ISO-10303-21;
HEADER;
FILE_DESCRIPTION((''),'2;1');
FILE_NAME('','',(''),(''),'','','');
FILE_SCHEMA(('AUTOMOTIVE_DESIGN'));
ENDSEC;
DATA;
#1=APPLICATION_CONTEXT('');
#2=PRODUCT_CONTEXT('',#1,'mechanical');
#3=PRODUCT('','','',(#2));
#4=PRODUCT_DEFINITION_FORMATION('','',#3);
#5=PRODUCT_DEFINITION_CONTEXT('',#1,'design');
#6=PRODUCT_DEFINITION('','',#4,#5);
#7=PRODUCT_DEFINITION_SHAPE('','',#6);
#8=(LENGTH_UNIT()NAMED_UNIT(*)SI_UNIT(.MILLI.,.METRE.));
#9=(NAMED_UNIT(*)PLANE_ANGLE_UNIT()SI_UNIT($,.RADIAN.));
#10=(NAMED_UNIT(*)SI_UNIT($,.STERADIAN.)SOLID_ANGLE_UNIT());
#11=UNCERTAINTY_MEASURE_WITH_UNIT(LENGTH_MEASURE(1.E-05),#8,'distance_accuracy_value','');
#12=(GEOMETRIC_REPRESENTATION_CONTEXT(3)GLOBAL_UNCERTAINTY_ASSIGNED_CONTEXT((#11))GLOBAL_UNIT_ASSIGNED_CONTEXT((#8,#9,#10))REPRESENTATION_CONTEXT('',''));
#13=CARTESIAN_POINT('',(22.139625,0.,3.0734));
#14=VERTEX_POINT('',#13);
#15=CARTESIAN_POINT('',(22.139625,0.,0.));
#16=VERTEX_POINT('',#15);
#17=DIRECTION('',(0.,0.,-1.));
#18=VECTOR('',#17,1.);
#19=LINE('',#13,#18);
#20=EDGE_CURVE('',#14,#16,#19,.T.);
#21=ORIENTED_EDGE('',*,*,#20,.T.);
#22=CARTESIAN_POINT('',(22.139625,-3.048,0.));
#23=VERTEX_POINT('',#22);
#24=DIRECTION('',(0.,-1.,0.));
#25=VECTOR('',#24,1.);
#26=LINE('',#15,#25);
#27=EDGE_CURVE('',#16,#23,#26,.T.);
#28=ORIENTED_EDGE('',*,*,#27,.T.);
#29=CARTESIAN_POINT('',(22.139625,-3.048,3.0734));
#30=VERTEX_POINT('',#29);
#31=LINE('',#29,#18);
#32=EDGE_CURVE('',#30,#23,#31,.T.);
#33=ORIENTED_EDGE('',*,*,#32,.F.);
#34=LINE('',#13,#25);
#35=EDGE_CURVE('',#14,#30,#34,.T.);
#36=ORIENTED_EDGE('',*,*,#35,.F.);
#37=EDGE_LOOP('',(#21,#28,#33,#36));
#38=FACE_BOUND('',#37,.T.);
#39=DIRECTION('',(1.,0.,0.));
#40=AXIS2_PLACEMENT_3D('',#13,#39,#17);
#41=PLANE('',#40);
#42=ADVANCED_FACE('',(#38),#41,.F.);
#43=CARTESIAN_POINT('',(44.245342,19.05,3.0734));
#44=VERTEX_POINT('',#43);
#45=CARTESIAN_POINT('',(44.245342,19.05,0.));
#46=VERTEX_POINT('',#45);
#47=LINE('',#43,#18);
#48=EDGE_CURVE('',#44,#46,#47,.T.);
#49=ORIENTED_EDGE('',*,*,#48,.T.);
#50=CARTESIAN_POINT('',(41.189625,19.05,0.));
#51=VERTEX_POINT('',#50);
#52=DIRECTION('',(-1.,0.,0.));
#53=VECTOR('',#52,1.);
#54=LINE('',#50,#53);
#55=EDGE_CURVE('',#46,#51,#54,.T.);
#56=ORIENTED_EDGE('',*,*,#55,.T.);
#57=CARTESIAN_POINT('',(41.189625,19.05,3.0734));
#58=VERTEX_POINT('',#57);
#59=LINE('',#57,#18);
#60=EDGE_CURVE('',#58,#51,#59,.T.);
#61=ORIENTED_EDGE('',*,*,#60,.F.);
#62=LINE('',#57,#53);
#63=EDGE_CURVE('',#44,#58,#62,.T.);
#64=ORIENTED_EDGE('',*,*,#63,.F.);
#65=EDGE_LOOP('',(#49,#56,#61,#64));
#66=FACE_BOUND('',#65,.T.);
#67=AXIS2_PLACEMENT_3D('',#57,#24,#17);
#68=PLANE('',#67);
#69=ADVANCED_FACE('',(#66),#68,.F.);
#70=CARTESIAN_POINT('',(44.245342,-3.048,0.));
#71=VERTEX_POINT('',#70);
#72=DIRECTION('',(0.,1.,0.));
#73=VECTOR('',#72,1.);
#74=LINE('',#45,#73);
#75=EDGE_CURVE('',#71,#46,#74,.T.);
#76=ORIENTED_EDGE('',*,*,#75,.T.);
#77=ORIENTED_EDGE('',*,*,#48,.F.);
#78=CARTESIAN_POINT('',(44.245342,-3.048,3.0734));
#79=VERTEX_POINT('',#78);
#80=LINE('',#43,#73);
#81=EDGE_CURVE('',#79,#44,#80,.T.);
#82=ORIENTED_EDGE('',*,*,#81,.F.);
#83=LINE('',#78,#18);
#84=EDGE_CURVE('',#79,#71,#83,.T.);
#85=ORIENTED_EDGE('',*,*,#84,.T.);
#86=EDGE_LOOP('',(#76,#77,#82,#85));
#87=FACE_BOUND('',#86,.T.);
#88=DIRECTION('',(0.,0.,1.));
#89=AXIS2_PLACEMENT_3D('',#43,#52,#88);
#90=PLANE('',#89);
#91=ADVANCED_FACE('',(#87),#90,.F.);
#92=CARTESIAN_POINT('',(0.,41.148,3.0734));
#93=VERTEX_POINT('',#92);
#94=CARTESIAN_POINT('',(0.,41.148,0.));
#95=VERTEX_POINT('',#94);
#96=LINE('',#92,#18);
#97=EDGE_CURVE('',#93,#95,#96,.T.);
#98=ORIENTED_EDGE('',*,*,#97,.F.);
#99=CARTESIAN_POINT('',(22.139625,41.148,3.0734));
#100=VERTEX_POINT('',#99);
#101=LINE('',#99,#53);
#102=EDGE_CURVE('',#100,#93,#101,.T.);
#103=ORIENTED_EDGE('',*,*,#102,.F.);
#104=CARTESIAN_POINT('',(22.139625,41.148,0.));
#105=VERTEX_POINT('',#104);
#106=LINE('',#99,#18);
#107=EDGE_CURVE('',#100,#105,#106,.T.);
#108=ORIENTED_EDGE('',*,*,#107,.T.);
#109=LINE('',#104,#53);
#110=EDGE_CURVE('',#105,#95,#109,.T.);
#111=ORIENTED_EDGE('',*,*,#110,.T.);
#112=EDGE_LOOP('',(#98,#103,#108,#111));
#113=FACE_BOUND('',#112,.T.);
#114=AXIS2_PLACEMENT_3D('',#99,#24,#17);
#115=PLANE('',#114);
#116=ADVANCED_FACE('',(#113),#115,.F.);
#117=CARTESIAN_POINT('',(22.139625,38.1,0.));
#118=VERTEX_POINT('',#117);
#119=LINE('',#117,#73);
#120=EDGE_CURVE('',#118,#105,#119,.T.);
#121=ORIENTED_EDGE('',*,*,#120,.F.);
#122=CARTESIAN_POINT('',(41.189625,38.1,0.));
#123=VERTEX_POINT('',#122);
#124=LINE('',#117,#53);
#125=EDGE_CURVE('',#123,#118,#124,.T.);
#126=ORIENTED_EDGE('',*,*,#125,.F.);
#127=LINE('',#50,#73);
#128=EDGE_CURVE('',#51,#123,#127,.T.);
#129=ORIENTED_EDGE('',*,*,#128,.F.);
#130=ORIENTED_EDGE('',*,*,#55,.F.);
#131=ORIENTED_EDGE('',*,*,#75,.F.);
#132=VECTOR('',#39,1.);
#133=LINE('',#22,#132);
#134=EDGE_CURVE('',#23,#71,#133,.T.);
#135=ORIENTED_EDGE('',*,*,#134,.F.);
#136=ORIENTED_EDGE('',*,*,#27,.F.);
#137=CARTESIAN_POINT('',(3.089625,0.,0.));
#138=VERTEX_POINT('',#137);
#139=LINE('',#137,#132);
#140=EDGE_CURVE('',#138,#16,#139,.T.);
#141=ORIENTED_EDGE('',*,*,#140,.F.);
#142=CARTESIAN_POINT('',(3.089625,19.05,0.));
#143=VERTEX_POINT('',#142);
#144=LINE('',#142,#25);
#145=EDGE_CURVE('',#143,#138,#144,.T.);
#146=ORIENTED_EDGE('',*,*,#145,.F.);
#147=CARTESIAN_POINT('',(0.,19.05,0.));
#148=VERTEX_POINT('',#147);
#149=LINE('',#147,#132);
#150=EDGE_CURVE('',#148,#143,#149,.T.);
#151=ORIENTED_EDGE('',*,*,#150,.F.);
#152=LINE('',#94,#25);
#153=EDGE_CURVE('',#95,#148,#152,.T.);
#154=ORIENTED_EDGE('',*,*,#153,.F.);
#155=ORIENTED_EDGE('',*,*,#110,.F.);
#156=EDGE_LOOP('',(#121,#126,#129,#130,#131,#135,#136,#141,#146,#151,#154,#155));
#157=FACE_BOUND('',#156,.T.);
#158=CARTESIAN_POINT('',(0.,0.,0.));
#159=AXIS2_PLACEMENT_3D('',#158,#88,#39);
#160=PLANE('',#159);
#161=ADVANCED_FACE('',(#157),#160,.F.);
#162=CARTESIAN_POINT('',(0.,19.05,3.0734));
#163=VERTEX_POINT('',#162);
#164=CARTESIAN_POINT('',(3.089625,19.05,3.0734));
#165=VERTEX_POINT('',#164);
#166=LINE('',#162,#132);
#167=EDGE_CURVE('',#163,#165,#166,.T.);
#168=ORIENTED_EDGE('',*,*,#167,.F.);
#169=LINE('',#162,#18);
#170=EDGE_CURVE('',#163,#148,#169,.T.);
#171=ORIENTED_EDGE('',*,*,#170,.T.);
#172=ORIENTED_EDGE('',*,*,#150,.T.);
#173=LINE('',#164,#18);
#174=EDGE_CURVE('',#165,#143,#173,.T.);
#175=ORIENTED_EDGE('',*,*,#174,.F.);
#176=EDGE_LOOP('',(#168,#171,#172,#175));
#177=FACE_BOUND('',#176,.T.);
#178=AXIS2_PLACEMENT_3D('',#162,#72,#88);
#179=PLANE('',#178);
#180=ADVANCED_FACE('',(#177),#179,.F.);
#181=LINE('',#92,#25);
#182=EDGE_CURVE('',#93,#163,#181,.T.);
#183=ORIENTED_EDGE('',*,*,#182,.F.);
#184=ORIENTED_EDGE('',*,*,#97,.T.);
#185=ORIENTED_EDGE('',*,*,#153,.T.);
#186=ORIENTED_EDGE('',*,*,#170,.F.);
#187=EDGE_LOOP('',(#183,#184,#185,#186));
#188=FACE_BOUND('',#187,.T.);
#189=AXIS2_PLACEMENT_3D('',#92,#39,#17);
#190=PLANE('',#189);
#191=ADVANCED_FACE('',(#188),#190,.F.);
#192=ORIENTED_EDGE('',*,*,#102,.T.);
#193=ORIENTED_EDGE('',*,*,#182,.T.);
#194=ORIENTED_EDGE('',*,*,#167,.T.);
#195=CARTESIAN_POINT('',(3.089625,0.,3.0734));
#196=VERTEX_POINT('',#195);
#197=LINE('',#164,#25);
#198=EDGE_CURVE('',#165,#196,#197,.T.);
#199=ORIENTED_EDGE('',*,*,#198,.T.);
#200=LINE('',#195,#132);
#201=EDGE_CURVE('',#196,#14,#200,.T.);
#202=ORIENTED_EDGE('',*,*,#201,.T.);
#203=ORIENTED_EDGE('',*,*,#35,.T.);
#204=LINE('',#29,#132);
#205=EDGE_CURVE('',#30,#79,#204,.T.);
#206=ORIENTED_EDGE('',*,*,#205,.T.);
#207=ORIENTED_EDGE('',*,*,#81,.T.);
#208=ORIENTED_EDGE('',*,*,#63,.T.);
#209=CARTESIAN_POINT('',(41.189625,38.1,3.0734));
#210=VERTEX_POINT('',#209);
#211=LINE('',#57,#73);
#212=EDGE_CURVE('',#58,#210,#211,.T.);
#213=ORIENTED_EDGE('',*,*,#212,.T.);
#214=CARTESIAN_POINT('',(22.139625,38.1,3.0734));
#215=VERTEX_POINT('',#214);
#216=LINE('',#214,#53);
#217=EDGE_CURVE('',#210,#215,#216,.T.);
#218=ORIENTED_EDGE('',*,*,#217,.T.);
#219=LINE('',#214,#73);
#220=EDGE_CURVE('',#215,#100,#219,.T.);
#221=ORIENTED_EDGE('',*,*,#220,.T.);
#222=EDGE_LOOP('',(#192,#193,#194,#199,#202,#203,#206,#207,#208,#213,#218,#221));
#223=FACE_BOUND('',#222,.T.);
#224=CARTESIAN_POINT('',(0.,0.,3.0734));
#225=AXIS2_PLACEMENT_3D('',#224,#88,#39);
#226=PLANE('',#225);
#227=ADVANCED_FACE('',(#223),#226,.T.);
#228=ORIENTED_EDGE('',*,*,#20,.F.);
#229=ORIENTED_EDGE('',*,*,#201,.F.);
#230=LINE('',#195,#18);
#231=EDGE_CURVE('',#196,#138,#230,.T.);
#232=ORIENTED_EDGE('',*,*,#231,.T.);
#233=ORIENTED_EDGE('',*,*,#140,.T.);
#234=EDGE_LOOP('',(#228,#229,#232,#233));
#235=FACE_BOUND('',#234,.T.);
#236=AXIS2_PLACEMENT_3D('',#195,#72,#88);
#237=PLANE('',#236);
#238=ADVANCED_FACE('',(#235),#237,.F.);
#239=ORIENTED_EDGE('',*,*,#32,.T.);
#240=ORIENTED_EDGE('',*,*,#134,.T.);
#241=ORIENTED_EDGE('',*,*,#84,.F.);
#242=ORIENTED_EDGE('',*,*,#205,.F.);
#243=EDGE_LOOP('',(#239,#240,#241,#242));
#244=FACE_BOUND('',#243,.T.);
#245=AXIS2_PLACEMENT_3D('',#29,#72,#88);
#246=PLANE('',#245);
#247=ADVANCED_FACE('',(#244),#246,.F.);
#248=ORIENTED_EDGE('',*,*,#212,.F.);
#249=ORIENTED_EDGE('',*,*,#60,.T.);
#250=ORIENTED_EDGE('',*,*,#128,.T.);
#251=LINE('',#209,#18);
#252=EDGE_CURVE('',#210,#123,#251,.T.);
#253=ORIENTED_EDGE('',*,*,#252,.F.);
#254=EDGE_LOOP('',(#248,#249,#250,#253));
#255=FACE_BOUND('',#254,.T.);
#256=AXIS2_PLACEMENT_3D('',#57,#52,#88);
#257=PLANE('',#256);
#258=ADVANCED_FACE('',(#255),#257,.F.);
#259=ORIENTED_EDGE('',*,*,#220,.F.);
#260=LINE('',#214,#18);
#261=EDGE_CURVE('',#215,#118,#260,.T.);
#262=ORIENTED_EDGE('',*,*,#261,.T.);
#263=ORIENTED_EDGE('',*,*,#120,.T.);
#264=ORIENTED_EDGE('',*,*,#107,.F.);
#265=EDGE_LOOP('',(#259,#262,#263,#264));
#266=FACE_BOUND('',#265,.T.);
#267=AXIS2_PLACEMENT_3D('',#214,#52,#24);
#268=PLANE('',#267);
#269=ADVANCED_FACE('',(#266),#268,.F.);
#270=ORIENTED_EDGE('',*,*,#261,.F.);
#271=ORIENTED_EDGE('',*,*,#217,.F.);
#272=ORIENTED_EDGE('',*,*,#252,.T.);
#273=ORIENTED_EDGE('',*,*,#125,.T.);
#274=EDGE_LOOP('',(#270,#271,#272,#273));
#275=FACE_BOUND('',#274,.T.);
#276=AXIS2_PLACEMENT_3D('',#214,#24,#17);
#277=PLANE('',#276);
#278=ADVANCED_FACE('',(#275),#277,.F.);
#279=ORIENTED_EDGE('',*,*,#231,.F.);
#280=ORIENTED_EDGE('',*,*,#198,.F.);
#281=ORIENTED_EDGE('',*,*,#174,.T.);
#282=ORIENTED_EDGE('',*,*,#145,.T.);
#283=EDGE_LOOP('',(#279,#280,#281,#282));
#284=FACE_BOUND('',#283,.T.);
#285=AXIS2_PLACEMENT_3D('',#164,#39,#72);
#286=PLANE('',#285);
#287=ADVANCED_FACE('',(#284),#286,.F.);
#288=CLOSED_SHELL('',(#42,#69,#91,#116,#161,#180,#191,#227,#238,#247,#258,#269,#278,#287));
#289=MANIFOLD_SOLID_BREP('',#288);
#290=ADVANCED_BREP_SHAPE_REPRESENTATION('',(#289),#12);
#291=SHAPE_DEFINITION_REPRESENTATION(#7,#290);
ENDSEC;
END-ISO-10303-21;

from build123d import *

# Parameters (mm, degrees)
BOSS_EXTRUDE1_DEPTH = 3.0734


with BuildPart() as part:
    # Sketch1 → Boss-Extrude1 (new body)
    with BuildSketch(Plane.XY):
        Polygon((3.089625258, 19.05), (3.089625258, 0), (22.139625258, 0), (22.139625258, -3.048), (44.245341742, -3.048), (44.245341742, 19.05), (41.189625258, 19.05), (41.189625258, 38.1), (22.139625258, 38.1), (22.139625258, 41.148), (0, 41.148), (0, 19.05), align=None)
    extrude(amount=BOSS_EXTRUDE1_DEPTH)


solid = part.part
